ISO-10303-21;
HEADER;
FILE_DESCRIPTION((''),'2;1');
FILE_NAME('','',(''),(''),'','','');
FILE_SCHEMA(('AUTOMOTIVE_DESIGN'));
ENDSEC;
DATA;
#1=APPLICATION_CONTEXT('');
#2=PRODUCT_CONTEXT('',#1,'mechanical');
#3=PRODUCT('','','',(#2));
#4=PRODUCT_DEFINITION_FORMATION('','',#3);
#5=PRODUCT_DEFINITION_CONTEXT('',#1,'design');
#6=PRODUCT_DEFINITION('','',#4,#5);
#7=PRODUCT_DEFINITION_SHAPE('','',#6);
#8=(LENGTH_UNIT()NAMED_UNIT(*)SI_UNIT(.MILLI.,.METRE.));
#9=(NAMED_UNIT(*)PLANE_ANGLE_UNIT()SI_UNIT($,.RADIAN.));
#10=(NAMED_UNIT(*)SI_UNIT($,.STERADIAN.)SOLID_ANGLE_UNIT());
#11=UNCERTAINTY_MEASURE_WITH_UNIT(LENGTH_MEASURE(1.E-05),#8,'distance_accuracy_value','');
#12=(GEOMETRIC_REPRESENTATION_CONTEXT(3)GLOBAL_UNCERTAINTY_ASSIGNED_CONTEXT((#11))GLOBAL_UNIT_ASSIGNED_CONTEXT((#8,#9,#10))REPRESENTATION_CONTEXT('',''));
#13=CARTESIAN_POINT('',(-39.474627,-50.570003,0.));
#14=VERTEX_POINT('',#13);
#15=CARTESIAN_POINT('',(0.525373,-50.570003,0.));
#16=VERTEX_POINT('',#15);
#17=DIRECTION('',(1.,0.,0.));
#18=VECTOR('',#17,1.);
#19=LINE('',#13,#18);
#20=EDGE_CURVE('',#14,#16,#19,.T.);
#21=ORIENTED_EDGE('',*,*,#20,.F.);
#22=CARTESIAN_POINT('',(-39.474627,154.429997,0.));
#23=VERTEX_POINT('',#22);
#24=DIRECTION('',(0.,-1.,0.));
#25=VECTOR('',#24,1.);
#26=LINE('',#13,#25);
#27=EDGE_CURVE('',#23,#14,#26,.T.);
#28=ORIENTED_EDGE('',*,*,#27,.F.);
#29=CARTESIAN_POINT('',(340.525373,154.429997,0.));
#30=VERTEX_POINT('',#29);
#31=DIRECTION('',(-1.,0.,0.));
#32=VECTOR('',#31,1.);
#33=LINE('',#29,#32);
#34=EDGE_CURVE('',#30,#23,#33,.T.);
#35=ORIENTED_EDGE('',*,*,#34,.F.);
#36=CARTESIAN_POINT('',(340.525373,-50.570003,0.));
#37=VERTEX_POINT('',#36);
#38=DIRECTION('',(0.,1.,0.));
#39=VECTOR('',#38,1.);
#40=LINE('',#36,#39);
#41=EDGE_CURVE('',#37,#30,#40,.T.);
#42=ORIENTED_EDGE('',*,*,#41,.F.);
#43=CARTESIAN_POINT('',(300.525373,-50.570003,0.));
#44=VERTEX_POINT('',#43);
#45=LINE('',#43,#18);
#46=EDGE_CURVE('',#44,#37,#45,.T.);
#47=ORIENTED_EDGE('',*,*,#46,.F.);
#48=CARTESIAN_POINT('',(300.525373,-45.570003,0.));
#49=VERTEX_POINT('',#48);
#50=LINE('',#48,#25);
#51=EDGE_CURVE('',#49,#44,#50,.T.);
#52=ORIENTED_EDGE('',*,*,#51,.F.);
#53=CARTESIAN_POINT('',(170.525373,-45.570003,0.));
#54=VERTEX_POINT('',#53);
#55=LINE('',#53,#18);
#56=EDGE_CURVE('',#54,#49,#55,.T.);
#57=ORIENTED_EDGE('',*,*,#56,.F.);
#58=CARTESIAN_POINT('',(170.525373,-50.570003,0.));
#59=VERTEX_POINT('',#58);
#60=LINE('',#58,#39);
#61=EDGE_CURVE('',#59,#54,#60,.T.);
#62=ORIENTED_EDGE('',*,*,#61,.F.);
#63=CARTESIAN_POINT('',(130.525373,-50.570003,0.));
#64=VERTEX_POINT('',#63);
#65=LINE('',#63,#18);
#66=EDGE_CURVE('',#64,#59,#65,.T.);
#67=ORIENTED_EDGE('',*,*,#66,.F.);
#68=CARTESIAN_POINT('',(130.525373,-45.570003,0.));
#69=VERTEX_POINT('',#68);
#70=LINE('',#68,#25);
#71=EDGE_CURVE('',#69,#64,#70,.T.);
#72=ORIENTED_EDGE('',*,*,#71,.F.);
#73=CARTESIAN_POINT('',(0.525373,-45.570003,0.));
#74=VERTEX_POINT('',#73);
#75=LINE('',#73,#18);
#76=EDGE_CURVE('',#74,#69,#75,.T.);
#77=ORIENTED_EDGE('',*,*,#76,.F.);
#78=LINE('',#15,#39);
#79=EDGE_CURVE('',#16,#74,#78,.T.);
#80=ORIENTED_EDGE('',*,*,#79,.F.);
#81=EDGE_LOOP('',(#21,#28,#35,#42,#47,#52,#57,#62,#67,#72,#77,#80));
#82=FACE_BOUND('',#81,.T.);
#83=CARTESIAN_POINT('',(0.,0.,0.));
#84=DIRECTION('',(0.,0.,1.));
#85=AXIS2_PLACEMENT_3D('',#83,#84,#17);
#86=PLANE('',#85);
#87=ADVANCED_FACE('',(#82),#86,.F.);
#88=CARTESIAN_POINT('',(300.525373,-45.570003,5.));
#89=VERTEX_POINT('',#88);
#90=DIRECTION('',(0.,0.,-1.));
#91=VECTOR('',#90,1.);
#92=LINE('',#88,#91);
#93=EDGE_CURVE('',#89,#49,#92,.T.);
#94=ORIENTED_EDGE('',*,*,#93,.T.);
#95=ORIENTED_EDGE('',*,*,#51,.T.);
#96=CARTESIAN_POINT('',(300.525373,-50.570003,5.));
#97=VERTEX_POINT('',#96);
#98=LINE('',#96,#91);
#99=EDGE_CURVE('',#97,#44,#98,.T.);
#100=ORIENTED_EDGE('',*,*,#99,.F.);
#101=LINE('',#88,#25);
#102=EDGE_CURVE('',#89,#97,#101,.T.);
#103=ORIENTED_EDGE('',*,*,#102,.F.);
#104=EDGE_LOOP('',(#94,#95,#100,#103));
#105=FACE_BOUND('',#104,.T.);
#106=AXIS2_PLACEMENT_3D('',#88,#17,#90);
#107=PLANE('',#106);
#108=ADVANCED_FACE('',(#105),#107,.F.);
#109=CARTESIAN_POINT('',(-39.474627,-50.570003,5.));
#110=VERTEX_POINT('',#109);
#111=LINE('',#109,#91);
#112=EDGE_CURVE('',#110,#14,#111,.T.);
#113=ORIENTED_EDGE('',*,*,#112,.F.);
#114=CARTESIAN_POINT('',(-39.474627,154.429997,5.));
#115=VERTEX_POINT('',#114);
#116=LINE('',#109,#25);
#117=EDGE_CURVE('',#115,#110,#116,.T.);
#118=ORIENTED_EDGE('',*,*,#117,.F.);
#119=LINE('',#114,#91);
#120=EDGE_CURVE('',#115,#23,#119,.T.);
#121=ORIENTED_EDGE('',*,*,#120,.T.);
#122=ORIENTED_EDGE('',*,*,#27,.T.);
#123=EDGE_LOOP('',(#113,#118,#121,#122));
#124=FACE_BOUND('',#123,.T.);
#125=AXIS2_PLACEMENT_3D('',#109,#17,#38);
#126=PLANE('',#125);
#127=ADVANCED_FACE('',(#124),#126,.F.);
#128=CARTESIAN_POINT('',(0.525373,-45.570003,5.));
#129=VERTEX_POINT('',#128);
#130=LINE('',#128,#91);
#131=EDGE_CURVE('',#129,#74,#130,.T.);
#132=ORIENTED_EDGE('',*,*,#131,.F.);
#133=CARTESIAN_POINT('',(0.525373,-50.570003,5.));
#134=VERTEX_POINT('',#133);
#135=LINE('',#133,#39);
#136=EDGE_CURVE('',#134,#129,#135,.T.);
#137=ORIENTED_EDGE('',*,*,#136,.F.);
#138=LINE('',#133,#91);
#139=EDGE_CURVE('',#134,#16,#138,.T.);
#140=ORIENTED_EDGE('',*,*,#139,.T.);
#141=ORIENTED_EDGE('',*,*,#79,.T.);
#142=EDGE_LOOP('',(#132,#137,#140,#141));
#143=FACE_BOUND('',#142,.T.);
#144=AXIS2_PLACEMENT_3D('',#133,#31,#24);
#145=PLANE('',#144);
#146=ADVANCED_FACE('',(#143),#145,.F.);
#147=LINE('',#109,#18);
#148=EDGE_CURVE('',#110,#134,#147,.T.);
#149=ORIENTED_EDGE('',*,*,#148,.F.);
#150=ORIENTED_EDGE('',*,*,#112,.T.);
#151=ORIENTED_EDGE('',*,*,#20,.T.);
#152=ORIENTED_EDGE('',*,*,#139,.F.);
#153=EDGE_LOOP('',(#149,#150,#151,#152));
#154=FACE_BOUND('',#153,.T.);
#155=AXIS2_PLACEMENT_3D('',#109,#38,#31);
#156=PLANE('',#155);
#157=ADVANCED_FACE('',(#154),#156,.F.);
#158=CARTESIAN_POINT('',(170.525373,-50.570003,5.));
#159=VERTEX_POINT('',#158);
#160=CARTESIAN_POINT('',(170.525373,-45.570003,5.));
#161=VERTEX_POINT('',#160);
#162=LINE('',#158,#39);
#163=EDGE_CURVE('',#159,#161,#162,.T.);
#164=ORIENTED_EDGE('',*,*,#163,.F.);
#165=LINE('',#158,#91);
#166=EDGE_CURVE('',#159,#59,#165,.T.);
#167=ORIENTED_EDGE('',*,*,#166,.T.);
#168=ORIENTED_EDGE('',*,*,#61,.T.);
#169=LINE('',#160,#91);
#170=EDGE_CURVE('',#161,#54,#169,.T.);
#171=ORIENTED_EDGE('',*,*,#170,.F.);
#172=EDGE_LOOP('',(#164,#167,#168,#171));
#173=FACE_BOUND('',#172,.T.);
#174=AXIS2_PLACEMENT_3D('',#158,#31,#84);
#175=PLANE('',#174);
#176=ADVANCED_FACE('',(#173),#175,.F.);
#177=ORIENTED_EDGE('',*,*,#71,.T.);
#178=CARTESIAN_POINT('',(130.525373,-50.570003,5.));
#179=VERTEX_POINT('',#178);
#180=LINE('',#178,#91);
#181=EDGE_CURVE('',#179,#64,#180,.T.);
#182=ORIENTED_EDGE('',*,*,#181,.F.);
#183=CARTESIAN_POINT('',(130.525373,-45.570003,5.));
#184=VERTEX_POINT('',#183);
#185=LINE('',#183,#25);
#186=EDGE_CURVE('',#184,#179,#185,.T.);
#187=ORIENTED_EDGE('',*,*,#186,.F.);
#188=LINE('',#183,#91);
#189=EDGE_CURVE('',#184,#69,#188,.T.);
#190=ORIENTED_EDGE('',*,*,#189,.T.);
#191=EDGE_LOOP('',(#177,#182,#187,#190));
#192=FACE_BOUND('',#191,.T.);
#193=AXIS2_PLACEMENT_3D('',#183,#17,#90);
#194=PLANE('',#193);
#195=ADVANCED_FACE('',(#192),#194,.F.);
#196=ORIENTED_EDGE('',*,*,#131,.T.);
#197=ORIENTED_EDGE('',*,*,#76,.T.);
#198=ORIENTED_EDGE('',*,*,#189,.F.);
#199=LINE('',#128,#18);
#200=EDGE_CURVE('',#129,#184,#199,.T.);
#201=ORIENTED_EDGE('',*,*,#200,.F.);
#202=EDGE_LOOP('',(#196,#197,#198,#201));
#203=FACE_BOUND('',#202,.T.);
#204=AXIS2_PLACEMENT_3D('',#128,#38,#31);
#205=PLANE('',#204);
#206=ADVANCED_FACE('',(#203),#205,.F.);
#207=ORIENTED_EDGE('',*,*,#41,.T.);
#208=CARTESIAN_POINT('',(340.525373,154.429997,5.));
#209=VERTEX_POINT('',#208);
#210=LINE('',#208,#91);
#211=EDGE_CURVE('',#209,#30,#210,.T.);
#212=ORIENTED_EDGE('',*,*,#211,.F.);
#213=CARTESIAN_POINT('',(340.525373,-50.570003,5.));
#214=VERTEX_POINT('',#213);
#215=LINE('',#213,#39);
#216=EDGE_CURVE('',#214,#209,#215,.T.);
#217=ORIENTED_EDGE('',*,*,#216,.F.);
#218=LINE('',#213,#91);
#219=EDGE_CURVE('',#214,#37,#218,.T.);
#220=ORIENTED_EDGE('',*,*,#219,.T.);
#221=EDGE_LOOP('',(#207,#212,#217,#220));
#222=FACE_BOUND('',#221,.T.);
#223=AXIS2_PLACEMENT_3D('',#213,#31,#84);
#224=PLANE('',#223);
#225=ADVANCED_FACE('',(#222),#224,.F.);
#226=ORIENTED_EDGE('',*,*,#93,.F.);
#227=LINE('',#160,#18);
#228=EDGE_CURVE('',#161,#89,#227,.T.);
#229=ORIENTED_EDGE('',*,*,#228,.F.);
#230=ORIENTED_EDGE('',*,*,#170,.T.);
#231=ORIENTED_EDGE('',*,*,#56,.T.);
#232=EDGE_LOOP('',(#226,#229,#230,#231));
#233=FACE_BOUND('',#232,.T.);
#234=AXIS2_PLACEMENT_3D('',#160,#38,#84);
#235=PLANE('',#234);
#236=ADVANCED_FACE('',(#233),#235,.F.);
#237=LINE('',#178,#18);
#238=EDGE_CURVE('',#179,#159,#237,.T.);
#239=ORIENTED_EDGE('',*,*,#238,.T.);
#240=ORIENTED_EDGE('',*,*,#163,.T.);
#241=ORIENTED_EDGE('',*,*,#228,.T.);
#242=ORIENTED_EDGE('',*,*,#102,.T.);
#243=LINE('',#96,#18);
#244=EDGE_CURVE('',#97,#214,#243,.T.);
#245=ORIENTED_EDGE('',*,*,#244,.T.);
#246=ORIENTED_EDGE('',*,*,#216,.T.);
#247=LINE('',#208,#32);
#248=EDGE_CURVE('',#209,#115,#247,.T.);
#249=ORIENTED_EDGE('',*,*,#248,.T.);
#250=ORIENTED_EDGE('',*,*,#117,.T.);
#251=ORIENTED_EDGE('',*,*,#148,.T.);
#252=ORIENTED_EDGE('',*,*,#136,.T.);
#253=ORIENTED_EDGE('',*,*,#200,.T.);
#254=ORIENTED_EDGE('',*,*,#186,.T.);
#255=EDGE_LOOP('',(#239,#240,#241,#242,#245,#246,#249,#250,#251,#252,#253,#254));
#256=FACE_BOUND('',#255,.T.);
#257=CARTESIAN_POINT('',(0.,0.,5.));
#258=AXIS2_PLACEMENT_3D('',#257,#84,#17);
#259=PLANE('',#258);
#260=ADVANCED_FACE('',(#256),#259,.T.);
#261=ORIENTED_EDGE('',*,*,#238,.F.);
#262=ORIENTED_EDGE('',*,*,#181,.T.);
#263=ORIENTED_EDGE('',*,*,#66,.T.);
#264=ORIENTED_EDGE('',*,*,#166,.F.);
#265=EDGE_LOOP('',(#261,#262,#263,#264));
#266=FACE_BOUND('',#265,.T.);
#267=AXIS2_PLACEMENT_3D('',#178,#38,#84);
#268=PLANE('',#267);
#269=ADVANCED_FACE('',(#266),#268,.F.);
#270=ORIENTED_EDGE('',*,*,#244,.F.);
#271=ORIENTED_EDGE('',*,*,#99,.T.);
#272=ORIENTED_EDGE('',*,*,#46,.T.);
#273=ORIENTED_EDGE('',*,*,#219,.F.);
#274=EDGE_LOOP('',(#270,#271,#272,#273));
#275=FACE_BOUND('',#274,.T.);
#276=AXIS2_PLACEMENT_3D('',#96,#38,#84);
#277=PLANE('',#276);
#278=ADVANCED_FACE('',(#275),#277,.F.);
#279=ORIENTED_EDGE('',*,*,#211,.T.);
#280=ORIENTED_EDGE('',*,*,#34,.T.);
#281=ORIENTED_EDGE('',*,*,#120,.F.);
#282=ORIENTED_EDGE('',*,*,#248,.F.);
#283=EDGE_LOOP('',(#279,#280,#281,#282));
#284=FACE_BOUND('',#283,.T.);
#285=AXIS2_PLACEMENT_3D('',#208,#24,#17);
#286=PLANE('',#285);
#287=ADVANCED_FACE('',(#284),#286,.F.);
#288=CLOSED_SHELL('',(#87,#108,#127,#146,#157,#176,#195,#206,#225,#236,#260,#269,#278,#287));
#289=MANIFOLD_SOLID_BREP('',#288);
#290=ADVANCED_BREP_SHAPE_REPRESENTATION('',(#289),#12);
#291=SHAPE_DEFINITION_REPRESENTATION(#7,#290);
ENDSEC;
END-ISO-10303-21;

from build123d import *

# Parameters (mm, degrees)
BOSS_EXTRU_1_DEPTH = 5


with BuildPart() as part:
    # Esquisse1 → Boss.-Extru.1 (new body)
    with BuildSketch(Plane.XY):
        Polygon((-39.474626595, -50.570003164), (0.525373405, -50.570003164), (0.525373405, -45.570003164), (130.525373405, -45.570003164), (130.525373405, -50.570003164), (170.525373405, -50.570003164), (170.525373405, -45.570003164), (300.525373405, -45.570003164), (300.525373405, -50.570003164), (340.525373405, -50.570003164), (340.525373405, 154.429996836), (-39.474626595, 154.429996836), align=None)
    extrude(amount=BOSS_EXTRU_1_DEPTH)


solid = part.part
